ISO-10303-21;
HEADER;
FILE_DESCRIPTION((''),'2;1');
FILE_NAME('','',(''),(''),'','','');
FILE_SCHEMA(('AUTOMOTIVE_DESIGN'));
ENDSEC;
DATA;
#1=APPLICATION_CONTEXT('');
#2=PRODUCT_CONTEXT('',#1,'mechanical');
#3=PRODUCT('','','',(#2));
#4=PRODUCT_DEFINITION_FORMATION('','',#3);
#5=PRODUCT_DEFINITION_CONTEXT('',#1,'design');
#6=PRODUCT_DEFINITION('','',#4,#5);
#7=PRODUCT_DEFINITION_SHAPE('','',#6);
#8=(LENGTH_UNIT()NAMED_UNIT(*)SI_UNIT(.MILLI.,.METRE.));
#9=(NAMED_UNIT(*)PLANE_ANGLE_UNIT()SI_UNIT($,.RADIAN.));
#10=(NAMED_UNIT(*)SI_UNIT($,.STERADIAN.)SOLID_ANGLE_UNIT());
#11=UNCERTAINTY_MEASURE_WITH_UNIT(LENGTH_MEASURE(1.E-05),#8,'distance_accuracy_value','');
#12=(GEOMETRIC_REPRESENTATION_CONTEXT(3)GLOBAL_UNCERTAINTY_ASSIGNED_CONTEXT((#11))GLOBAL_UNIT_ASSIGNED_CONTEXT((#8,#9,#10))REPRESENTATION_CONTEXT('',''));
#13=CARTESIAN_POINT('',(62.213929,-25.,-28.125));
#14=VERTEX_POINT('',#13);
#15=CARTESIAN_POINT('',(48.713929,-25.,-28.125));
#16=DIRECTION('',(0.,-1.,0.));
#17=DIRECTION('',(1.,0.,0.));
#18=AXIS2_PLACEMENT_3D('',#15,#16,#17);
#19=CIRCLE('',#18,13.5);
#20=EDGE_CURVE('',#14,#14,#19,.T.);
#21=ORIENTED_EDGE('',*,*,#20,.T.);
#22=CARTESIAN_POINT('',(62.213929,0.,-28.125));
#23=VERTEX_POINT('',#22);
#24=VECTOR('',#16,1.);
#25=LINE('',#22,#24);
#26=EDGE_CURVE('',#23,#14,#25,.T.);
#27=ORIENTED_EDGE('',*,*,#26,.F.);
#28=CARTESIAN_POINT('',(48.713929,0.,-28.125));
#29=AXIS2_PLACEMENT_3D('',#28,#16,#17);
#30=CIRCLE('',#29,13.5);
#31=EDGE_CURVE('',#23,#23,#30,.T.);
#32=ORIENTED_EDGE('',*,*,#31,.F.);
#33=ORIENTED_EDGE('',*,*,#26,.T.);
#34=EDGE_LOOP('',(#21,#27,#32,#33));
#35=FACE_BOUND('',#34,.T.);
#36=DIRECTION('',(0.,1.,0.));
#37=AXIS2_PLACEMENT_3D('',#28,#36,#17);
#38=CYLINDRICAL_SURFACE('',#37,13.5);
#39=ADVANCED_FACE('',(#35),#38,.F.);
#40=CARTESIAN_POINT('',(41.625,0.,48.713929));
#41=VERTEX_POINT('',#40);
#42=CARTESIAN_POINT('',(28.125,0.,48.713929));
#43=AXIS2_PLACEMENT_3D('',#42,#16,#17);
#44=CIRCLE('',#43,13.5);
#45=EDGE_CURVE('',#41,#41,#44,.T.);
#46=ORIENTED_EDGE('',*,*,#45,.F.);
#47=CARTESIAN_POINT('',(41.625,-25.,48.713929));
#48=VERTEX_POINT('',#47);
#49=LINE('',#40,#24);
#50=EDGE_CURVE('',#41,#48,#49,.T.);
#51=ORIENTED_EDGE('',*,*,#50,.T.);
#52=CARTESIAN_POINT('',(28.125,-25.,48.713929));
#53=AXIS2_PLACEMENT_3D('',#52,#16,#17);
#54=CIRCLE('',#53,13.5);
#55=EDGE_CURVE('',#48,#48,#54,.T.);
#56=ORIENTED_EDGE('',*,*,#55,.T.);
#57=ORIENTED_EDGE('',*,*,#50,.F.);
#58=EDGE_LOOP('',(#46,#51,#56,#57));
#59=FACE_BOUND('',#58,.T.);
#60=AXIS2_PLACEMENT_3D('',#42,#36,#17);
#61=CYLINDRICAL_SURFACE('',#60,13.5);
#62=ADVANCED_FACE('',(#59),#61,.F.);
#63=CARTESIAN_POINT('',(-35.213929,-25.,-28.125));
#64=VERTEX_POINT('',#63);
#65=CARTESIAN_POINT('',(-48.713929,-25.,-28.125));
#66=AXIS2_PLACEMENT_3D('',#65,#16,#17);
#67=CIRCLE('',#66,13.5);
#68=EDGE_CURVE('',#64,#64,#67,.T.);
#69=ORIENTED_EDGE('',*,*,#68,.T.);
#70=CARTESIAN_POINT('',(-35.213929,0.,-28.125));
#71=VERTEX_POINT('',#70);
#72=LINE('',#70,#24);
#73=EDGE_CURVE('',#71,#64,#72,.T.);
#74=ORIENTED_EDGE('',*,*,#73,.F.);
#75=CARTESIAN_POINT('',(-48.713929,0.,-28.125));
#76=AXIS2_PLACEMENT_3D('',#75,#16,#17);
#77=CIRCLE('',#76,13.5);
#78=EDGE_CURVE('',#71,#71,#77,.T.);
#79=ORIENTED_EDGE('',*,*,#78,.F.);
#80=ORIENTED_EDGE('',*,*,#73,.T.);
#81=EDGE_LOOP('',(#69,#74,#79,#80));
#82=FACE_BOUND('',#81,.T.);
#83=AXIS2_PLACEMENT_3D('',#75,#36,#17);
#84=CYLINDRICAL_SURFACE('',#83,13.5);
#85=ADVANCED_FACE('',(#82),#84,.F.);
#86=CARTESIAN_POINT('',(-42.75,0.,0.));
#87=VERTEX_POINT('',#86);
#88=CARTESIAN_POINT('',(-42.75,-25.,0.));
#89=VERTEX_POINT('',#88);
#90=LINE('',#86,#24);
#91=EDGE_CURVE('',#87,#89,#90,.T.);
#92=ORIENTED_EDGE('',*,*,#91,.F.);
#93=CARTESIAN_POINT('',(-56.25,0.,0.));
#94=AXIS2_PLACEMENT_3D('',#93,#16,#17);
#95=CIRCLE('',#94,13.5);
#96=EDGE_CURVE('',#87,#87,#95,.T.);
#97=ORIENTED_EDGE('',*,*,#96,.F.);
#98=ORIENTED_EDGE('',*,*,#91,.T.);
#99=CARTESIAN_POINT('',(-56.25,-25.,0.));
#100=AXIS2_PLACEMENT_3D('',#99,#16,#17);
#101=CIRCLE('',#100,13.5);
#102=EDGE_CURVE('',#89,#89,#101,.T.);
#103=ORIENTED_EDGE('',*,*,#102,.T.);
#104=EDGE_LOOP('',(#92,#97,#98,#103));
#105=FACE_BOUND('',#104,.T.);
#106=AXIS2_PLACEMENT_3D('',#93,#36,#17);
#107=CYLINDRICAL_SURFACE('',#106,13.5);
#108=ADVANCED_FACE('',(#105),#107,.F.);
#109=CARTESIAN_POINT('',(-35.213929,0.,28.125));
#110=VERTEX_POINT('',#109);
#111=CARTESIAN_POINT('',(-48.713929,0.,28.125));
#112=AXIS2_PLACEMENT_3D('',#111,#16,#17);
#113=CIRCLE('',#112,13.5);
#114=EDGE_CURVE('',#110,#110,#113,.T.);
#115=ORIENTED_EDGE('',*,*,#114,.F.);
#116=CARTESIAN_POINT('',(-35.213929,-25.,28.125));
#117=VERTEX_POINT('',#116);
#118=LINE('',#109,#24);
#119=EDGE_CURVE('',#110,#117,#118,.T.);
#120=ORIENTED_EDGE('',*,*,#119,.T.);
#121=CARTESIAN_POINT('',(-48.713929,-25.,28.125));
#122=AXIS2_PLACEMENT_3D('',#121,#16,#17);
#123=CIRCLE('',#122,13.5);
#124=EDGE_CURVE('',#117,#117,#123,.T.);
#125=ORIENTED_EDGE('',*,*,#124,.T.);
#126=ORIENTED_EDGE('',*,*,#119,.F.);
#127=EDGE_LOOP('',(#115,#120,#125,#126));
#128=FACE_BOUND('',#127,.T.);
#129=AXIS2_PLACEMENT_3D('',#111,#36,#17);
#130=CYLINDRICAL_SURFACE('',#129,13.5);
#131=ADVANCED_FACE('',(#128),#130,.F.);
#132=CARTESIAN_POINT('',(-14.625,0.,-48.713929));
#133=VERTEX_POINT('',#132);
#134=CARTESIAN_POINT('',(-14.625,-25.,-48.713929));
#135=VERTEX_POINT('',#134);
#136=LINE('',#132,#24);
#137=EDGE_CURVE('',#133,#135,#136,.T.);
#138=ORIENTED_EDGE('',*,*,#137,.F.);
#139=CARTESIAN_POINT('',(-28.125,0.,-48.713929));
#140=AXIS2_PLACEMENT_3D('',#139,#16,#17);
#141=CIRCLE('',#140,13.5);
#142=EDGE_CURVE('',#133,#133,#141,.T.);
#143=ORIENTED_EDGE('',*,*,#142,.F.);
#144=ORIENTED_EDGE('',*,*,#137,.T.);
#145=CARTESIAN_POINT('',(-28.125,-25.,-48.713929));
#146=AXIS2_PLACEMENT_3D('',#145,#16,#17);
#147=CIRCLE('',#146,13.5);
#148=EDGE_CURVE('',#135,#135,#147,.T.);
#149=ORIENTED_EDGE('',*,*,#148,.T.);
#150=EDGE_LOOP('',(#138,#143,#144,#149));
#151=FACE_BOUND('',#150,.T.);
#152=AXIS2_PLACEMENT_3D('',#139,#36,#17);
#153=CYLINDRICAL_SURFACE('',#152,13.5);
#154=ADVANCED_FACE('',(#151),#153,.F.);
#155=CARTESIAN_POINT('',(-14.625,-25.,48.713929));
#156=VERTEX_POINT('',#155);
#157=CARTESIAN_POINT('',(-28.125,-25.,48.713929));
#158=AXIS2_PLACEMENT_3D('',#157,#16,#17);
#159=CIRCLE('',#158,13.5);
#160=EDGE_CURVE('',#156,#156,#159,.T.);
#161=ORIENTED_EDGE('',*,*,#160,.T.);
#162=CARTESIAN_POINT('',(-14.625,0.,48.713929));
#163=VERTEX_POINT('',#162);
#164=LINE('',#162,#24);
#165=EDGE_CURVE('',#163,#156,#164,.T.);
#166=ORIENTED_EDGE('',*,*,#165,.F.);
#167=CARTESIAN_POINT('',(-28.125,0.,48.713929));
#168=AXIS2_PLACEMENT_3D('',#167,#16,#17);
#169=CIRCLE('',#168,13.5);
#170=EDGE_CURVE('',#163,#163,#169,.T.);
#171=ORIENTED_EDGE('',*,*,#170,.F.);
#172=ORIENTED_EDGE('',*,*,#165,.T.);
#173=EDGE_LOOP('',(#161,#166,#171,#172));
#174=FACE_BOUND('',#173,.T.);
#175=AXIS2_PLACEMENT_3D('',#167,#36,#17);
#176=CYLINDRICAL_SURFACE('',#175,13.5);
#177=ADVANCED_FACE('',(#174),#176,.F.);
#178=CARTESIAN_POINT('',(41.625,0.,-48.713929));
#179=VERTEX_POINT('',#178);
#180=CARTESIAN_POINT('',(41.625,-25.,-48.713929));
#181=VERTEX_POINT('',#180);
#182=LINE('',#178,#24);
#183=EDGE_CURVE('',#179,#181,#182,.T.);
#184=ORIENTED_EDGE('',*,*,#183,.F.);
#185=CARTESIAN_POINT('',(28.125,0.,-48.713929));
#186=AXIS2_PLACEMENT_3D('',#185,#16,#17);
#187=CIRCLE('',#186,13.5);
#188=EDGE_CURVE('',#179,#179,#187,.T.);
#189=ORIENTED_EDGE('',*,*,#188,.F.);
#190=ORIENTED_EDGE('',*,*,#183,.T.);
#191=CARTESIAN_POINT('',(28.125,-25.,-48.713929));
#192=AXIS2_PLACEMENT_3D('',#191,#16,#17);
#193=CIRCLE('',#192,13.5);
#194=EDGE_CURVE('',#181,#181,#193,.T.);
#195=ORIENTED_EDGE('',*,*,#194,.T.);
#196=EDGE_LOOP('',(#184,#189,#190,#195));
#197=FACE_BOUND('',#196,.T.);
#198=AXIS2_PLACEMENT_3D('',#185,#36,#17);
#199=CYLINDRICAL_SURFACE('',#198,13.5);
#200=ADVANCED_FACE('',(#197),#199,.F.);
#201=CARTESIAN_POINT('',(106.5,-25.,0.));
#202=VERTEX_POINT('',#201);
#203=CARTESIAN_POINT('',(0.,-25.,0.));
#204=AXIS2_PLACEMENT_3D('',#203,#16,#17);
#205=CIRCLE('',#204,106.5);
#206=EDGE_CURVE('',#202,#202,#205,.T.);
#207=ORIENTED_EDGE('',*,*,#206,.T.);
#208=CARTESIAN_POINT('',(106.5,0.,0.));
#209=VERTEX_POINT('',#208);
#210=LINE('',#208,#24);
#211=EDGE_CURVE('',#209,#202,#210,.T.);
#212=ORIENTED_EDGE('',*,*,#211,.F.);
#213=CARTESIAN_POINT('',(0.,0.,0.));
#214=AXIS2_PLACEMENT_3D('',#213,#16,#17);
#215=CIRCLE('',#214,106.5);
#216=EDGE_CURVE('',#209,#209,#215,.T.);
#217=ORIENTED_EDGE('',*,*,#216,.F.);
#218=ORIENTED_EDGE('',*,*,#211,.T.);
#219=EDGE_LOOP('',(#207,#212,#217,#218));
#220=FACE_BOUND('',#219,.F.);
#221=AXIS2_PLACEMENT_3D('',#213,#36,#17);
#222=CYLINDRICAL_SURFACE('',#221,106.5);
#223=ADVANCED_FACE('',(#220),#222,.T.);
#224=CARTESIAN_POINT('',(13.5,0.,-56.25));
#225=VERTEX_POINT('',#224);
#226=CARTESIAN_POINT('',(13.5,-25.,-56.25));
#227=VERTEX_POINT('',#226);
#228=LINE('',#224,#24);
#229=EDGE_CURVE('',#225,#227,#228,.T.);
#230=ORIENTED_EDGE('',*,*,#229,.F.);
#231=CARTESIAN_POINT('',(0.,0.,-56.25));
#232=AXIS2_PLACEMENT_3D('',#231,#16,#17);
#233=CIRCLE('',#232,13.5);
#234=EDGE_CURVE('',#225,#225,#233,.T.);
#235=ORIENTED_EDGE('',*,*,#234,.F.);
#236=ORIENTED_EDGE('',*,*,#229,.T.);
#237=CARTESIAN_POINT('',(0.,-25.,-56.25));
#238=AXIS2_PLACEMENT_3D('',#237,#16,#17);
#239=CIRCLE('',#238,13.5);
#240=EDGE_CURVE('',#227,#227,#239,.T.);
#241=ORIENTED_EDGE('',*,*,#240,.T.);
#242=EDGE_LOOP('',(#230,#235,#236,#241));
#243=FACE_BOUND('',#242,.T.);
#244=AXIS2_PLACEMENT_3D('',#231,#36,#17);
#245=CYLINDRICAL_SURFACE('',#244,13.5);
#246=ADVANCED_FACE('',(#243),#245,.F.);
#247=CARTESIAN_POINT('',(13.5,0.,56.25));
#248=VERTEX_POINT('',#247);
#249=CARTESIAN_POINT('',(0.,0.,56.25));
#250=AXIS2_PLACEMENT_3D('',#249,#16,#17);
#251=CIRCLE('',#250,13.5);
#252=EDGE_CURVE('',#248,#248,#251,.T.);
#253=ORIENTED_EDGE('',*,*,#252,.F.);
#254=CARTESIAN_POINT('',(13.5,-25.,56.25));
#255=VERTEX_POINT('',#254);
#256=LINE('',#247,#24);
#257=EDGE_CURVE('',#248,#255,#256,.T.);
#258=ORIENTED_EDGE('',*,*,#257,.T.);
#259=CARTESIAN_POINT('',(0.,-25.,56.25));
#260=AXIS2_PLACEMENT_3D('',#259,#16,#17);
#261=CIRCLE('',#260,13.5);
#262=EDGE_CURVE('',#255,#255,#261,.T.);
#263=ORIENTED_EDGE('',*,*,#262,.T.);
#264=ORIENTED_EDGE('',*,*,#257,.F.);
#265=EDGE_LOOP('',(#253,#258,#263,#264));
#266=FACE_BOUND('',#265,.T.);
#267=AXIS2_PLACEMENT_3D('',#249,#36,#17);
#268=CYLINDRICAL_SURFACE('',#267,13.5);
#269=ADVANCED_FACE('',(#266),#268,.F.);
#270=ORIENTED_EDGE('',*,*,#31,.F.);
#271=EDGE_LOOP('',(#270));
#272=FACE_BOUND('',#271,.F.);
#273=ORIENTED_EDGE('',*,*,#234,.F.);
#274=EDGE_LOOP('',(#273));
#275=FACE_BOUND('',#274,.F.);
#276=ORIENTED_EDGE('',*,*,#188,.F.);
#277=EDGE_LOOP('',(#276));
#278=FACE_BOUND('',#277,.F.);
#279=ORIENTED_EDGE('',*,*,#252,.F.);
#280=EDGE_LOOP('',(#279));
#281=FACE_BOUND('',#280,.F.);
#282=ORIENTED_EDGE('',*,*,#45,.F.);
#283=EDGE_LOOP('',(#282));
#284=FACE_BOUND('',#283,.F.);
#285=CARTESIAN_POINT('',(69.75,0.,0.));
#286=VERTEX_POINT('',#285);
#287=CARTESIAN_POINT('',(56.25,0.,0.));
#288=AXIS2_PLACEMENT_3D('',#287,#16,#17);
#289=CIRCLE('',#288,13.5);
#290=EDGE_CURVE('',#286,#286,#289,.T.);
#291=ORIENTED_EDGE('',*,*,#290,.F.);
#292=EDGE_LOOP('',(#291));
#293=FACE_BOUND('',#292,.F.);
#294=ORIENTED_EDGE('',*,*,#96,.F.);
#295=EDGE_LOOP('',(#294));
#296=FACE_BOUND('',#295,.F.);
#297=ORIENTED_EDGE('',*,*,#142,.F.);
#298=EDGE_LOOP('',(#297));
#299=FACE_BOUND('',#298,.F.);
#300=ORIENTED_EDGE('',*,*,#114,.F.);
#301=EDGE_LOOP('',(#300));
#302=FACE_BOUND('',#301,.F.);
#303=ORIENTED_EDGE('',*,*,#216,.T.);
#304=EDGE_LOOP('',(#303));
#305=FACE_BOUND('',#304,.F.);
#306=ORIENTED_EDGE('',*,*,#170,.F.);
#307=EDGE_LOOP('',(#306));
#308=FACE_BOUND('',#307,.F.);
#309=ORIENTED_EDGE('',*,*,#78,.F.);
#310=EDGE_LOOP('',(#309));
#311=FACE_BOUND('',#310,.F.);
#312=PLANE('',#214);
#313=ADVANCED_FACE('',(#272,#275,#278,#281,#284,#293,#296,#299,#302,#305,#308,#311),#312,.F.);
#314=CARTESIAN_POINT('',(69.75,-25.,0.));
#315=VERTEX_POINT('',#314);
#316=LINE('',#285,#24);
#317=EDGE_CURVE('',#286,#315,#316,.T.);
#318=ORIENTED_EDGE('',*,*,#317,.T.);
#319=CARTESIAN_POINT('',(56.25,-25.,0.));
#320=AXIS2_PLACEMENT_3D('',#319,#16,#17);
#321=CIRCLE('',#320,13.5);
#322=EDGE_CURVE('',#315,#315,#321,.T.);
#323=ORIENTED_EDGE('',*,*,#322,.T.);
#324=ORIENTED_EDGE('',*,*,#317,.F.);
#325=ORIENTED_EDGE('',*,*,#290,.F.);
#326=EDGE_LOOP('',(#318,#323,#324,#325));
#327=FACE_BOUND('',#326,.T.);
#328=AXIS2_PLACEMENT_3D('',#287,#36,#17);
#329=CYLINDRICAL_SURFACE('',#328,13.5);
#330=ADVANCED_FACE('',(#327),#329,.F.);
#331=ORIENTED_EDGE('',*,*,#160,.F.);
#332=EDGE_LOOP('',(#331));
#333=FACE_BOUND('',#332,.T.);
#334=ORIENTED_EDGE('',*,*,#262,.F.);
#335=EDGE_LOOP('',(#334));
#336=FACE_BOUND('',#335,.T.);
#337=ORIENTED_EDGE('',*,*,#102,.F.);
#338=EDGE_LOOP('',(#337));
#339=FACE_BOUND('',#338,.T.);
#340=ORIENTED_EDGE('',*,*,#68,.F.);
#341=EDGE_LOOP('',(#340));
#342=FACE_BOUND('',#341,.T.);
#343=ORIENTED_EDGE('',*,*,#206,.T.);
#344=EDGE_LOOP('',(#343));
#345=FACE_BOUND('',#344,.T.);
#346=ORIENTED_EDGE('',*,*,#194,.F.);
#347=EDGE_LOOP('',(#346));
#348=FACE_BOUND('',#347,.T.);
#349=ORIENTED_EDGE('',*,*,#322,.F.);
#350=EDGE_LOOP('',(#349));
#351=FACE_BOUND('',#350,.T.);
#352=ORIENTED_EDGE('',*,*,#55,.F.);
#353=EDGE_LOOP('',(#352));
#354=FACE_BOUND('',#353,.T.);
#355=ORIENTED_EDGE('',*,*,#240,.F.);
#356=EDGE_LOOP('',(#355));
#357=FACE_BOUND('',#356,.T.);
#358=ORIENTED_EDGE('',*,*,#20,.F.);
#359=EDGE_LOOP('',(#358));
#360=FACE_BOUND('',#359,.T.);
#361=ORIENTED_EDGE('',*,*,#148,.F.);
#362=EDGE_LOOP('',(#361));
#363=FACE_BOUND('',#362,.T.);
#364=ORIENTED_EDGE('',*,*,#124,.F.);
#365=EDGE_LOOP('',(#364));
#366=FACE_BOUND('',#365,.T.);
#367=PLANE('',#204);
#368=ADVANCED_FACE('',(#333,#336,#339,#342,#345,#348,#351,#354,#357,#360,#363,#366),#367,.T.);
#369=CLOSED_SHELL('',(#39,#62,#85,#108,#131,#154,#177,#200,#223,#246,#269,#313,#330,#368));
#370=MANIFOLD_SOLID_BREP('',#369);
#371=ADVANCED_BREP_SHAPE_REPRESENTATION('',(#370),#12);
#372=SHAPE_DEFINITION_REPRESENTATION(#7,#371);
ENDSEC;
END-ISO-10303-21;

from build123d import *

# Parameters (mm, degrees)
F0_R     = 106.5
F0_R_2   = 75
F0_R_3   = 13.5
F0_R_4   = 37.5
F0_R_5   = 32.5
F1_DEPTH = 25


with BuildPart() as f1:
    # F0 (on Front) → F1 (new body)
    with BuildSketch(Plane.XZ):
        Circle(F0_R)
        Circle(F0_R_2, mode=Mode.SUBTRACT)
        Circle(F0_R_2)
        with Locations((-28.125, -48.7139289629)):
            Circle(F0_R_3, mode=Mode.SUBTRACT)
        with Locations((-48.7139289629, -28.125)):
            Circle(F0_R_3, mode=Mode.SUBTRACT)
        with Locations((0, -56.25)):
            Circle(F0_R_3, mode=Mode.SUBTRACT)
        with Locations((28.125, -48.7139289629)):
            Circle(F0_R_3, mode=Mode.SUBTRACT)
        with Locations((48.7139289629, -28.125)):
            Circle(F0_R_3, mode=Mode.SUBTRACT)
        with Locations((-56.25, 0)):
            Circle(F0_R_3, mode=Mode.SUBTRACT)
        with Locations((-48.7139289629, 28.125)):
            Circle(F0_R_3, mode=Mode.SUBTRACT)
        with Locations((-28.125, 48.7139289629)):
            Circle(F0_R_3, mode=Mode.SUBTRACT)
        Circle(F0_R_4, mode=Mode.SUBTRACT)
        with Locations((28.125, 48.7139289629)):
            Circle(F0_R_3, mode=Mode.SUBTRACT)
        with Locations((56.25, 0)):
            Circle(F0_R_3, mode=Mode.SUBTRACT)
        with Locations((0, 56.25)):
            Circle(F0_R_3, mode=Mode.SUBTRACT)
        Circle(F0_R_4)
        Circle(F0_R_5, mode=Mode.SUBTRACT)
        Circle(F0_R_5)
    extrude(amount=F1_DEPTH)


solid = f1.part
